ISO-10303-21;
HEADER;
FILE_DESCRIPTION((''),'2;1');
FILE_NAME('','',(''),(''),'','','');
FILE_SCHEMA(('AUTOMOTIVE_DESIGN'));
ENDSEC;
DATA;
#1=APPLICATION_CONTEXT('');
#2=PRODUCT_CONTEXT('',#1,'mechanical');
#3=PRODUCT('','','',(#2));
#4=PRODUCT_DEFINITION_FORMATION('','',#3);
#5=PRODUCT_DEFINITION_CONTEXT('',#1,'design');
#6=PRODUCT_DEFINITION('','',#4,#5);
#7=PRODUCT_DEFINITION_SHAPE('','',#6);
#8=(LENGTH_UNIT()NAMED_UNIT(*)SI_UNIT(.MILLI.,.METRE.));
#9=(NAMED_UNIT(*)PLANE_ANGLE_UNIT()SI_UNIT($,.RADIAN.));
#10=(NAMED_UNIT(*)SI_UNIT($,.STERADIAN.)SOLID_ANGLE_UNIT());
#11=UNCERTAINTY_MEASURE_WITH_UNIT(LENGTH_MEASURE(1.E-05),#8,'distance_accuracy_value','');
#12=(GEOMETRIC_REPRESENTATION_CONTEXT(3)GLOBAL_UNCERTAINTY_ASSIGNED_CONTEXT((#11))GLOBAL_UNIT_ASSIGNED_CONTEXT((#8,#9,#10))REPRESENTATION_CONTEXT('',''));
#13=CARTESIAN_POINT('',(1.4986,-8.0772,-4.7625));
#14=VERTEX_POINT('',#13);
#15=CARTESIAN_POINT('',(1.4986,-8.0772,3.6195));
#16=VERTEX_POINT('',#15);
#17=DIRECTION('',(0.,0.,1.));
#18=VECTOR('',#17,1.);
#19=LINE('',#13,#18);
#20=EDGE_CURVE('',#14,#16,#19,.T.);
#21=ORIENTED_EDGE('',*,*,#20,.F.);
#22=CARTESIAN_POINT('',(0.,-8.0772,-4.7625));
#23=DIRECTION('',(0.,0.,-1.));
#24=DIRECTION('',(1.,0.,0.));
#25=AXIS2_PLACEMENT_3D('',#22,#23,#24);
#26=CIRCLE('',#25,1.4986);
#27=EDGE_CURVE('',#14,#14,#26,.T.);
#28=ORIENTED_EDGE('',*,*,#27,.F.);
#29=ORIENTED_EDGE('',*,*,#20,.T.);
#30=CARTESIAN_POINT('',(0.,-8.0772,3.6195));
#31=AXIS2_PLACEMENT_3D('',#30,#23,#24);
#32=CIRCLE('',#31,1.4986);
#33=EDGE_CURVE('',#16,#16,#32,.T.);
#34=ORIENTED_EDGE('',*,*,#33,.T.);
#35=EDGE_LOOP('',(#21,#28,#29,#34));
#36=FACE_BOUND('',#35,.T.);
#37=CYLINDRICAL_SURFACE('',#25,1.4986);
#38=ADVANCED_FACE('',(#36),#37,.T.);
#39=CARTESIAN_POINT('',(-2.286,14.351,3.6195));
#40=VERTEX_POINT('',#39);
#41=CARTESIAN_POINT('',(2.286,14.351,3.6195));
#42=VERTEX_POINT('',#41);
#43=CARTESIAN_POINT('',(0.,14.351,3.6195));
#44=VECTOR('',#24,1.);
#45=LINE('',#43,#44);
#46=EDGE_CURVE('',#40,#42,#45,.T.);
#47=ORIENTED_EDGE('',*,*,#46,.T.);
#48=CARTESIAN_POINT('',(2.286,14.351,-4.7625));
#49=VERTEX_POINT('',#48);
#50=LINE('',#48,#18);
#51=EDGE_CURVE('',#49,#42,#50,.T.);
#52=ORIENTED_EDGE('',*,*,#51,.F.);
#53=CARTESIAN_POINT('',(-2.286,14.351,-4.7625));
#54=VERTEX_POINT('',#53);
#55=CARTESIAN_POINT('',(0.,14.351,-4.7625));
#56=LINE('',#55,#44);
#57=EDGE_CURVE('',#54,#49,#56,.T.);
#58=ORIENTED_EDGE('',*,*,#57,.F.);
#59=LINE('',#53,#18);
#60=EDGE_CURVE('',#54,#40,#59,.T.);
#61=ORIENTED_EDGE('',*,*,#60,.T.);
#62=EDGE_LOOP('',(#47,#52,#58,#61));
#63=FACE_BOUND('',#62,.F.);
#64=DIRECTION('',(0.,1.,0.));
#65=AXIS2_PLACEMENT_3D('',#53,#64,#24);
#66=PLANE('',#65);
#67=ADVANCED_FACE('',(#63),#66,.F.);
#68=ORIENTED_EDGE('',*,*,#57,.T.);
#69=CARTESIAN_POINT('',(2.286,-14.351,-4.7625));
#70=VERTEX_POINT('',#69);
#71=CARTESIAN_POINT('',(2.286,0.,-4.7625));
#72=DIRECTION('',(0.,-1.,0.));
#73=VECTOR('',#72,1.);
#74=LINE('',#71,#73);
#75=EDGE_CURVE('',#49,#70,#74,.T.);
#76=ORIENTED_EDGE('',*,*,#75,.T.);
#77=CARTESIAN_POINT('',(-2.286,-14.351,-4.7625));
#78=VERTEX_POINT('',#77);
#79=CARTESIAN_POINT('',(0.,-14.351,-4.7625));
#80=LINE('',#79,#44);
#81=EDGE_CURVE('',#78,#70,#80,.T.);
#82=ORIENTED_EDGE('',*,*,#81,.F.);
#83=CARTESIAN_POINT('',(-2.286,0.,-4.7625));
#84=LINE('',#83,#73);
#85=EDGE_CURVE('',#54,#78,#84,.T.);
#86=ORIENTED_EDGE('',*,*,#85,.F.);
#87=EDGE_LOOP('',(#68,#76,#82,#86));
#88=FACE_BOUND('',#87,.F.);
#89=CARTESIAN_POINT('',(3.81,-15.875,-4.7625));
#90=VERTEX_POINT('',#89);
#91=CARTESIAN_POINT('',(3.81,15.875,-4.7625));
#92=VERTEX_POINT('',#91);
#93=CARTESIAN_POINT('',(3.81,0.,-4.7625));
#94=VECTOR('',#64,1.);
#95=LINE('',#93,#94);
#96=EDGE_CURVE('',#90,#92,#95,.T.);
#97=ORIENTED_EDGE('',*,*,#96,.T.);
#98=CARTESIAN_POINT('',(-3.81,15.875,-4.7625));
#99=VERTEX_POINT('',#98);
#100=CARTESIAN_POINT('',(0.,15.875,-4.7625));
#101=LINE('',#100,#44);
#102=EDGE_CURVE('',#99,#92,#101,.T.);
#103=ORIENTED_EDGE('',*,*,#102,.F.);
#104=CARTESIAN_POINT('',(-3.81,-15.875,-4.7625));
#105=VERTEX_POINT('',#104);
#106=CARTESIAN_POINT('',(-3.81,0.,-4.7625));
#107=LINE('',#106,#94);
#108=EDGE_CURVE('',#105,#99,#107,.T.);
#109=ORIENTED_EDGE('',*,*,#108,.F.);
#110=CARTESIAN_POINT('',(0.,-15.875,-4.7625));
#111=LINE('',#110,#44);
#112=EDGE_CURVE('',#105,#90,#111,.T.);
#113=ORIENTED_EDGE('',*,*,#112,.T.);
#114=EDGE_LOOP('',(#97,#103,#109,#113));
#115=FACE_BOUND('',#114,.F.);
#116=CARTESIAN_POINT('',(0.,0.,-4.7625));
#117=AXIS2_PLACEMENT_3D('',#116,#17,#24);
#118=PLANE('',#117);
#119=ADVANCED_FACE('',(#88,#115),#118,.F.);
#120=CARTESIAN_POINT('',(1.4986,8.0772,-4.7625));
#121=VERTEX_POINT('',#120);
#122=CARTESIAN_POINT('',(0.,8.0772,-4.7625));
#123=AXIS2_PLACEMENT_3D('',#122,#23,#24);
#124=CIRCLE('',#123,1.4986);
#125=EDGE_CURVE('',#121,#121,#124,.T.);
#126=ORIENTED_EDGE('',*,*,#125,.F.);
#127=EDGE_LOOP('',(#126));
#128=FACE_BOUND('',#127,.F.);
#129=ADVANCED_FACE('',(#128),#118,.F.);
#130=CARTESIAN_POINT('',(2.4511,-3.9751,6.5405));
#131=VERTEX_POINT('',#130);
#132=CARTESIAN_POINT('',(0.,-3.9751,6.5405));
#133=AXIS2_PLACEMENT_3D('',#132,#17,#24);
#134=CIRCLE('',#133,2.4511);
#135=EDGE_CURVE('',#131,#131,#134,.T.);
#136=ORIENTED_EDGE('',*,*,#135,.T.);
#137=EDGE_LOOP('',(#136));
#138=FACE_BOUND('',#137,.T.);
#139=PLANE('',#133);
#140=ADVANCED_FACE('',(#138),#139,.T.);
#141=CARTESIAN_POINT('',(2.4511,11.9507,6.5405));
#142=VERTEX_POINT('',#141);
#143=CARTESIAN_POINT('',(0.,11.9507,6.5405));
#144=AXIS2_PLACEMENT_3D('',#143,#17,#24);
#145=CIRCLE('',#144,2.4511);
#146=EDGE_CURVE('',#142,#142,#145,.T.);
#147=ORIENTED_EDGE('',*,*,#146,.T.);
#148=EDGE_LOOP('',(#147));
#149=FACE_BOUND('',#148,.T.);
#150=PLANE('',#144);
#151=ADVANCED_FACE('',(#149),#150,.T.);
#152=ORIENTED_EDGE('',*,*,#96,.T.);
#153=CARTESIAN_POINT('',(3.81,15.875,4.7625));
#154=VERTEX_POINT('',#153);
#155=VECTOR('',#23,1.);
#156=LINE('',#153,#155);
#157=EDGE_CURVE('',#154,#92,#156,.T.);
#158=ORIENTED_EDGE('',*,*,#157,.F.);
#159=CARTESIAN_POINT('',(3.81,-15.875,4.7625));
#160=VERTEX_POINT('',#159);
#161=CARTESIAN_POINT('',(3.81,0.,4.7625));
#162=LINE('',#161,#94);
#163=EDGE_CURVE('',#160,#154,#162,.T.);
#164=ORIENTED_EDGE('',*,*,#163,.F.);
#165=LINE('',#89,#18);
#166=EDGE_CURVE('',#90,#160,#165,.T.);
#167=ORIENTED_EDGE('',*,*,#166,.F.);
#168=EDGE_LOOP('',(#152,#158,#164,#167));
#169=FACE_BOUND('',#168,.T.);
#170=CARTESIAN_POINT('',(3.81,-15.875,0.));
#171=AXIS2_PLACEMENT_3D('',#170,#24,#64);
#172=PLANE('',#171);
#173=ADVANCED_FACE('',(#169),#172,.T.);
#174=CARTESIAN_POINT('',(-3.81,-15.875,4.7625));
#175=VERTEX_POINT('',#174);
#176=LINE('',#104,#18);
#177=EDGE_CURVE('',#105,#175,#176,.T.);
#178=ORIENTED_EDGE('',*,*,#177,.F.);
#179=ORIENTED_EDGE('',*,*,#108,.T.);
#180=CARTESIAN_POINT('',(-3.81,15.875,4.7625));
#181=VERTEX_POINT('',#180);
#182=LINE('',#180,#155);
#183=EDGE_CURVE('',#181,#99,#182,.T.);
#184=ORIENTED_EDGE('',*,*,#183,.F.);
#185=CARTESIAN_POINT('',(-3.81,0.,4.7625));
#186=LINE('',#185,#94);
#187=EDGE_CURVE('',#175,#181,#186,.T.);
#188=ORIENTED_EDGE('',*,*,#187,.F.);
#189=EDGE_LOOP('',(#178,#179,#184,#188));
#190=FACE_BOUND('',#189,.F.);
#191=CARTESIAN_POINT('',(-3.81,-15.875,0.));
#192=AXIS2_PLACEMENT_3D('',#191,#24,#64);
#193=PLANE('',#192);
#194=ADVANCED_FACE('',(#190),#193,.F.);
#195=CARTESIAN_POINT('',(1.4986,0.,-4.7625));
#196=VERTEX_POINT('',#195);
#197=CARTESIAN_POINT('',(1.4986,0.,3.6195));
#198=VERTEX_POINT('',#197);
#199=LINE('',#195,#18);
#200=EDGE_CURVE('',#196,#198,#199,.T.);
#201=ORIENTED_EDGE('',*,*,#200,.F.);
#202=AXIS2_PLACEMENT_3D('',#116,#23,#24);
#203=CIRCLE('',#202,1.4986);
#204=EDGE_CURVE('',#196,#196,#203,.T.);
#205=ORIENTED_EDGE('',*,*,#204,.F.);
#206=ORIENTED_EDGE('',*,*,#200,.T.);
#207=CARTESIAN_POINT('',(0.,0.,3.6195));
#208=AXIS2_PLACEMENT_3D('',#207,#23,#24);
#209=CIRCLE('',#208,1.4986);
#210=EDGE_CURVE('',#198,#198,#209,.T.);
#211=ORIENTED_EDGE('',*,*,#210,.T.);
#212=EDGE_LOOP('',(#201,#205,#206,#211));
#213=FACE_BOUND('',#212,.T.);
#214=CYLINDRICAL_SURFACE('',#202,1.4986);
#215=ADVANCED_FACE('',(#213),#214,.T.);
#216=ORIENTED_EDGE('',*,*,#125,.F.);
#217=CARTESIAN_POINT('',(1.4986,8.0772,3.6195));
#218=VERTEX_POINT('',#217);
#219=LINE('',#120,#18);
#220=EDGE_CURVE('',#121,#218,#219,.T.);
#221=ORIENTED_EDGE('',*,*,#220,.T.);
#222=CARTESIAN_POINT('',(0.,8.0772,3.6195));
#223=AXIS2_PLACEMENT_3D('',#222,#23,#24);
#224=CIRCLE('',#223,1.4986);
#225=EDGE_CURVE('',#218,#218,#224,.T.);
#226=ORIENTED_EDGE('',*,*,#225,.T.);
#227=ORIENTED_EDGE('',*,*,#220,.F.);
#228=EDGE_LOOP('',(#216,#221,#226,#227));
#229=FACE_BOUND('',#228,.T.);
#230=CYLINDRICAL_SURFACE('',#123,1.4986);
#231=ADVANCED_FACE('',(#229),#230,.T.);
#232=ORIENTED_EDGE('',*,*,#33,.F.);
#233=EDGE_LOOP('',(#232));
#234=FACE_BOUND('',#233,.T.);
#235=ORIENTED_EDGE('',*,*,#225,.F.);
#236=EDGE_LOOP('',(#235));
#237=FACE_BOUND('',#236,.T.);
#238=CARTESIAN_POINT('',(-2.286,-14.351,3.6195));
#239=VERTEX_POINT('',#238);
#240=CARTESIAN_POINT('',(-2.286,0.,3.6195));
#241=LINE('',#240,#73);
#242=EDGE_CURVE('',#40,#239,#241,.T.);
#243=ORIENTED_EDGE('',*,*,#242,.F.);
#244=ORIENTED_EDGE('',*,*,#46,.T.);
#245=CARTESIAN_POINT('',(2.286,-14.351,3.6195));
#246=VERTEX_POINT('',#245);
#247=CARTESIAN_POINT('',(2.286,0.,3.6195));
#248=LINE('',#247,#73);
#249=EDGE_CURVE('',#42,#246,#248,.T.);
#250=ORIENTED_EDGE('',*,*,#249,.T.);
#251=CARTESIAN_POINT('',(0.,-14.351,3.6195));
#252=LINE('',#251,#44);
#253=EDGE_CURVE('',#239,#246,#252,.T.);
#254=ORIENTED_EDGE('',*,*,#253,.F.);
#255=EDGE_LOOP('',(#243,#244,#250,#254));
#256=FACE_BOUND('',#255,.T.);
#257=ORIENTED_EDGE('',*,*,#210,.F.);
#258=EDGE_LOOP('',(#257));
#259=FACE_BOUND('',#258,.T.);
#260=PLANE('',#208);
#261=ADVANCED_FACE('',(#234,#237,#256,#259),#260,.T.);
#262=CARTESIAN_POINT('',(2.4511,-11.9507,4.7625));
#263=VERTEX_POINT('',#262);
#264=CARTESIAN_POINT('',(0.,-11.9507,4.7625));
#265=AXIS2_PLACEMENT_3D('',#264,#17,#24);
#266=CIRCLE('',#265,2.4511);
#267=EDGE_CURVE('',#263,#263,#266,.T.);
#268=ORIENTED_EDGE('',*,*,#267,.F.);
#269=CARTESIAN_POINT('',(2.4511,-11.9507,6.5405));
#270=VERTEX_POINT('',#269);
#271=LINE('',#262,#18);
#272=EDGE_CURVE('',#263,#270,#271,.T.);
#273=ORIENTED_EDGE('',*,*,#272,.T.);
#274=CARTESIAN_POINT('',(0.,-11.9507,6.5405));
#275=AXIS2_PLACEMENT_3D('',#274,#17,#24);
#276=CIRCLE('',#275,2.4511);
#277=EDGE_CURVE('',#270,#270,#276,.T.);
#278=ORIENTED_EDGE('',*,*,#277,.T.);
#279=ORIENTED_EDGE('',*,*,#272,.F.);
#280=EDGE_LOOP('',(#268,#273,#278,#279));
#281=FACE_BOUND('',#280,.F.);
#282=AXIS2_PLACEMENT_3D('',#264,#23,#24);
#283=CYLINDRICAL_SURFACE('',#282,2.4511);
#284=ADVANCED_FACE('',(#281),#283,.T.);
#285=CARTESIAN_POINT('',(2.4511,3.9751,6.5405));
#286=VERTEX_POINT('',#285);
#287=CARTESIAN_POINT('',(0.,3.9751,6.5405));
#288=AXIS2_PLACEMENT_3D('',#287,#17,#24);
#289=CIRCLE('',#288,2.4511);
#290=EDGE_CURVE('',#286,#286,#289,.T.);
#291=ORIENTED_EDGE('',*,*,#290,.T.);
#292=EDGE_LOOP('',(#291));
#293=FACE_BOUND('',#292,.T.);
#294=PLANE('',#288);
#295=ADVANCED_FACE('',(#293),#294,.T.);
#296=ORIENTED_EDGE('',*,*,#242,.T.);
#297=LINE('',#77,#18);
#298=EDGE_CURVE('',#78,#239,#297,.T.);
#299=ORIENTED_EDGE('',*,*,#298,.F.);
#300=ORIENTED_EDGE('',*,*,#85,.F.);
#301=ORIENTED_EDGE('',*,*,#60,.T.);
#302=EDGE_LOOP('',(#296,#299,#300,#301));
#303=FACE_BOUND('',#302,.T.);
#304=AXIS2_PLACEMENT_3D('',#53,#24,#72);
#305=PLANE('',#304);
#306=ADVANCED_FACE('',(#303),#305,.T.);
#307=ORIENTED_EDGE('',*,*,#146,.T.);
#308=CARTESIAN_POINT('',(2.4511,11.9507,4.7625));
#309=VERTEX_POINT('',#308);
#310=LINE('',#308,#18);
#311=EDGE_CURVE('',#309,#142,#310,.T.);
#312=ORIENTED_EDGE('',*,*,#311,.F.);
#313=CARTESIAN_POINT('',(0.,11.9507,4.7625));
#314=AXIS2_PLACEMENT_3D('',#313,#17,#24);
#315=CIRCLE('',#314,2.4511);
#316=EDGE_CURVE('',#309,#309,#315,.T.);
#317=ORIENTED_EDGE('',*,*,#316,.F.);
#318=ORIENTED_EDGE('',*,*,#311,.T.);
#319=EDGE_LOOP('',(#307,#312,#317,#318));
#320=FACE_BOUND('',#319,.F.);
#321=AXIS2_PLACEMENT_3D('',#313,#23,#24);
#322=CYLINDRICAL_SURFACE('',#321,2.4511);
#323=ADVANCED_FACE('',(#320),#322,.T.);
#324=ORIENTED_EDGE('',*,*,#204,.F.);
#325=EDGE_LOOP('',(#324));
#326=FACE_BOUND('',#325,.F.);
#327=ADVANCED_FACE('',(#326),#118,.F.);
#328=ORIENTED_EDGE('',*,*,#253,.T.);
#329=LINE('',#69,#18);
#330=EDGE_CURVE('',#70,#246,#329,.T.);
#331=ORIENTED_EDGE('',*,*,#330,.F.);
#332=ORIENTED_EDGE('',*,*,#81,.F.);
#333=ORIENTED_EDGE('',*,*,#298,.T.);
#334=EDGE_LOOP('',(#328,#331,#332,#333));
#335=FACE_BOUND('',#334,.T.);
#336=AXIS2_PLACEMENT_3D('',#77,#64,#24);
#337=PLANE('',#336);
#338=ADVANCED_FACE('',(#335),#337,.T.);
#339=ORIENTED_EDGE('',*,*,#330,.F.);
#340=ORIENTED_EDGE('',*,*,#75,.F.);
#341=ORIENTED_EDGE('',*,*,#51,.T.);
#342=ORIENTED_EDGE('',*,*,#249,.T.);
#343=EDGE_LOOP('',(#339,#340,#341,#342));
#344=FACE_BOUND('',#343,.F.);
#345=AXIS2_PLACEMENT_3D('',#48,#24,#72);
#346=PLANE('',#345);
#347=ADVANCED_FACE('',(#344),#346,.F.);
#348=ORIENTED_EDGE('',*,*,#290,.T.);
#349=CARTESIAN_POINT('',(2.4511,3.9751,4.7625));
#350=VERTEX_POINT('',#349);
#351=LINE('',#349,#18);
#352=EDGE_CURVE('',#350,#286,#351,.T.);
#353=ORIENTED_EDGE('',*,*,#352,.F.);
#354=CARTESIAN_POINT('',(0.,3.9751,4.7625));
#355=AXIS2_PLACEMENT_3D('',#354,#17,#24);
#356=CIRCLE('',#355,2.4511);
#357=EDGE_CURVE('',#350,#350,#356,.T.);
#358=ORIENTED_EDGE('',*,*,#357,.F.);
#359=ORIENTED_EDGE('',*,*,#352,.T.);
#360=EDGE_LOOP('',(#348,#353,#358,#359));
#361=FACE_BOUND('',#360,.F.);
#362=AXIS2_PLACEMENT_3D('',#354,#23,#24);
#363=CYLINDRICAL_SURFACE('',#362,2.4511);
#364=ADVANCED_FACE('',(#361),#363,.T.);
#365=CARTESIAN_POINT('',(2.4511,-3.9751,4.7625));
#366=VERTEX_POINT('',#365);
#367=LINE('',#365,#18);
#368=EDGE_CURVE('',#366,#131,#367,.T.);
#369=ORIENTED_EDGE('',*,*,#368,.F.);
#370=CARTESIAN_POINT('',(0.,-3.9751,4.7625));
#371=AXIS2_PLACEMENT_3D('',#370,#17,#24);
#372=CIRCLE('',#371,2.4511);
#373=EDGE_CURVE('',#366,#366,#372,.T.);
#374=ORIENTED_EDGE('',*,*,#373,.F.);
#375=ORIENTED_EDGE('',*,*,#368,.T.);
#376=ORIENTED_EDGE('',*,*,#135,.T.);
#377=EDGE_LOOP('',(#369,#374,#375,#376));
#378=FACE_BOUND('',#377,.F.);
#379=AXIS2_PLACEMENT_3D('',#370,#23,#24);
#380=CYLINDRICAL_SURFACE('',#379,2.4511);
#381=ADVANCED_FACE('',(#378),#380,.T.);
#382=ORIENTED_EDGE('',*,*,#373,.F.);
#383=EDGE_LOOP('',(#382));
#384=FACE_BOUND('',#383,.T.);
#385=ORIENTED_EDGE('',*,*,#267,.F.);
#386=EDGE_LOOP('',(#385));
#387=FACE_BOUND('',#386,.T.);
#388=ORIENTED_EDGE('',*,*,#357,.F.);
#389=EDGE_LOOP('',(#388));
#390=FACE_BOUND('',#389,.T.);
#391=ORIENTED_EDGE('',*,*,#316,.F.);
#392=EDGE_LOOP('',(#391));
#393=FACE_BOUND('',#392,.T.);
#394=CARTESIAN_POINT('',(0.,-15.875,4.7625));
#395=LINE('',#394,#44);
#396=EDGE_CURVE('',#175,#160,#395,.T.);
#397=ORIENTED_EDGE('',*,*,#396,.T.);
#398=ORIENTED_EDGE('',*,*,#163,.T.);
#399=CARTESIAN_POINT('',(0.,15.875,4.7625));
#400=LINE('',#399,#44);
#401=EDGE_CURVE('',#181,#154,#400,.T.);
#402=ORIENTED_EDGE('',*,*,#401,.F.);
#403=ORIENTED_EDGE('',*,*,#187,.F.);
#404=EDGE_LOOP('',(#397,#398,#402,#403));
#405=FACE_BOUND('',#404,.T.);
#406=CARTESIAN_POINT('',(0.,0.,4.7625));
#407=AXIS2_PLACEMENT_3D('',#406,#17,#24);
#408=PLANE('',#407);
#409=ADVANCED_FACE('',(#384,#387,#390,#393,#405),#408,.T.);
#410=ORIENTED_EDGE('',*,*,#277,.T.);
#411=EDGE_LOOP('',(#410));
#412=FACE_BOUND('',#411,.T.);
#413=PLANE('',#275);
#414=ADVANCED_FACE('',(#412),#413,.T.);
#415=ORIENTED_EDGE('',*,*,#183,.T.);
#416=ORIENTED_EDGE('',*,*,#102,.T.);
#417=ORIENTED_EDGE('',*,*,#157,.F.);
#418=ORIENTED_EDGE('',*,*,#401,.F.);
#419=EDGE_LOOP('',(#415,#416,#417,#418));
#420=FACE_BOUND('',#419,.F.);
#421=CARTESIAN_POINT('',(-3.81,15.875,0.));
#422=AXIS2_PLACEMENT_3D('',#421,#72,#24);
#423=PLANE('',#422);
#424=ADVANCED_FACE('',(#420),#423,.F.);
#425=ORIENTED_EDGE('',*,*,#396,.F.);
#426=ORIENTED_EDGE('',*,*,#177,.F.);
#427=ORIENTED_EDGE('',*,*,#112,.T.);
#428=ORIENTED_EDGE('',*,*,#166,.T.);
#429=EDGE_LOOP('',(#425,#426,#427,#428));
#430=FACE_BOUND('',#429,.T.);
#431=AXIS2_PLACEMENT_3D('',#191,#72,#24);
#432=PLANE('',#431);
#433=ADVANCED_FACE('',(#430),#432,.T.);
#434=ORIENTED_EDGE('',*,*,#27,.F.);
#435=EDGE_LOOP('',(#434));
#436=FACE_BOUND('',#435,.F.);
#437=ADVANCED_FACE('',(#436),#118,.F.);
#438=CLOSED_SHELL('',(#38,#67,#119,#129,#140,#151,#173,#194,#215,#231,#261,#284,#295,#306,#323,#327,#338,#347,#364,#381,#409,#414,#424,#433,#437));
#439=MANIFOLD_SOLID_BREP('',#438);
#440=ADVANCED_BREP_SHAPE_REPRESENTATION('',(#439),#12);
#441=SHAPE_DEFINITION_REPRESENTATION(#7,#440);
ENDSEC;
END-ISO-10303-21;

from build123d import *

# Parameters (mm, degrees)
F0_W     = 7.62
F0_H     = 31.75
F1_DEPTH = 4.7625
F2_R     = 2.4511
F3_DEPTH = 1.778
F4_W     = 4.572
F4_H     = 28.702
F4_R     = 1.4986
F5_DEPTH = 8.382


with BuildPart() as f1:
    # F0 (on Top) → F1 (new body, symmetric)
    with BuildSketch(Plane.XY):
        Rectangle(F0_W, F0_H)
    extrude(amount=F1_DEPTH, both=True)

    # F2 (on face) → F3 (join)
    with BuildSketch(Plane.XY.offset(4.7625)):
        with Locations((0, 11.9507)):
            Circle(F2_R)
        with Locations((0, 3.9751)):
            Circle(F2_R)
        with Locations((0, -3.9751)):
            Circle(F2_R)
        with Locations((0, -11.9507)):
            Circle(F2_R)
    extrude(amount=F3_DEPTH)

    # F4 (on face) → F5 (cut)
    with BuildSketch(Plane(origin=(0, 0, -4.7625), x_dir=(1, 0, 0), z_dir=(0, 0, -1))):
        Rectangle(F4_W, F4_H)
        with Locations((0, -8.0772)):
            Circle(F4_R, mode=Mode.SUBTRACT)
        Circle(F4_R, mode=Mode.SUBTRACT)
        with Locations((0, 8.0772)):
            Circle(F4_R, mode=Mode.SUBTRACT)
    extrude(amount=-F5_DEPTH, mode=Mode.SUBTRACT)


solid = f1.part
